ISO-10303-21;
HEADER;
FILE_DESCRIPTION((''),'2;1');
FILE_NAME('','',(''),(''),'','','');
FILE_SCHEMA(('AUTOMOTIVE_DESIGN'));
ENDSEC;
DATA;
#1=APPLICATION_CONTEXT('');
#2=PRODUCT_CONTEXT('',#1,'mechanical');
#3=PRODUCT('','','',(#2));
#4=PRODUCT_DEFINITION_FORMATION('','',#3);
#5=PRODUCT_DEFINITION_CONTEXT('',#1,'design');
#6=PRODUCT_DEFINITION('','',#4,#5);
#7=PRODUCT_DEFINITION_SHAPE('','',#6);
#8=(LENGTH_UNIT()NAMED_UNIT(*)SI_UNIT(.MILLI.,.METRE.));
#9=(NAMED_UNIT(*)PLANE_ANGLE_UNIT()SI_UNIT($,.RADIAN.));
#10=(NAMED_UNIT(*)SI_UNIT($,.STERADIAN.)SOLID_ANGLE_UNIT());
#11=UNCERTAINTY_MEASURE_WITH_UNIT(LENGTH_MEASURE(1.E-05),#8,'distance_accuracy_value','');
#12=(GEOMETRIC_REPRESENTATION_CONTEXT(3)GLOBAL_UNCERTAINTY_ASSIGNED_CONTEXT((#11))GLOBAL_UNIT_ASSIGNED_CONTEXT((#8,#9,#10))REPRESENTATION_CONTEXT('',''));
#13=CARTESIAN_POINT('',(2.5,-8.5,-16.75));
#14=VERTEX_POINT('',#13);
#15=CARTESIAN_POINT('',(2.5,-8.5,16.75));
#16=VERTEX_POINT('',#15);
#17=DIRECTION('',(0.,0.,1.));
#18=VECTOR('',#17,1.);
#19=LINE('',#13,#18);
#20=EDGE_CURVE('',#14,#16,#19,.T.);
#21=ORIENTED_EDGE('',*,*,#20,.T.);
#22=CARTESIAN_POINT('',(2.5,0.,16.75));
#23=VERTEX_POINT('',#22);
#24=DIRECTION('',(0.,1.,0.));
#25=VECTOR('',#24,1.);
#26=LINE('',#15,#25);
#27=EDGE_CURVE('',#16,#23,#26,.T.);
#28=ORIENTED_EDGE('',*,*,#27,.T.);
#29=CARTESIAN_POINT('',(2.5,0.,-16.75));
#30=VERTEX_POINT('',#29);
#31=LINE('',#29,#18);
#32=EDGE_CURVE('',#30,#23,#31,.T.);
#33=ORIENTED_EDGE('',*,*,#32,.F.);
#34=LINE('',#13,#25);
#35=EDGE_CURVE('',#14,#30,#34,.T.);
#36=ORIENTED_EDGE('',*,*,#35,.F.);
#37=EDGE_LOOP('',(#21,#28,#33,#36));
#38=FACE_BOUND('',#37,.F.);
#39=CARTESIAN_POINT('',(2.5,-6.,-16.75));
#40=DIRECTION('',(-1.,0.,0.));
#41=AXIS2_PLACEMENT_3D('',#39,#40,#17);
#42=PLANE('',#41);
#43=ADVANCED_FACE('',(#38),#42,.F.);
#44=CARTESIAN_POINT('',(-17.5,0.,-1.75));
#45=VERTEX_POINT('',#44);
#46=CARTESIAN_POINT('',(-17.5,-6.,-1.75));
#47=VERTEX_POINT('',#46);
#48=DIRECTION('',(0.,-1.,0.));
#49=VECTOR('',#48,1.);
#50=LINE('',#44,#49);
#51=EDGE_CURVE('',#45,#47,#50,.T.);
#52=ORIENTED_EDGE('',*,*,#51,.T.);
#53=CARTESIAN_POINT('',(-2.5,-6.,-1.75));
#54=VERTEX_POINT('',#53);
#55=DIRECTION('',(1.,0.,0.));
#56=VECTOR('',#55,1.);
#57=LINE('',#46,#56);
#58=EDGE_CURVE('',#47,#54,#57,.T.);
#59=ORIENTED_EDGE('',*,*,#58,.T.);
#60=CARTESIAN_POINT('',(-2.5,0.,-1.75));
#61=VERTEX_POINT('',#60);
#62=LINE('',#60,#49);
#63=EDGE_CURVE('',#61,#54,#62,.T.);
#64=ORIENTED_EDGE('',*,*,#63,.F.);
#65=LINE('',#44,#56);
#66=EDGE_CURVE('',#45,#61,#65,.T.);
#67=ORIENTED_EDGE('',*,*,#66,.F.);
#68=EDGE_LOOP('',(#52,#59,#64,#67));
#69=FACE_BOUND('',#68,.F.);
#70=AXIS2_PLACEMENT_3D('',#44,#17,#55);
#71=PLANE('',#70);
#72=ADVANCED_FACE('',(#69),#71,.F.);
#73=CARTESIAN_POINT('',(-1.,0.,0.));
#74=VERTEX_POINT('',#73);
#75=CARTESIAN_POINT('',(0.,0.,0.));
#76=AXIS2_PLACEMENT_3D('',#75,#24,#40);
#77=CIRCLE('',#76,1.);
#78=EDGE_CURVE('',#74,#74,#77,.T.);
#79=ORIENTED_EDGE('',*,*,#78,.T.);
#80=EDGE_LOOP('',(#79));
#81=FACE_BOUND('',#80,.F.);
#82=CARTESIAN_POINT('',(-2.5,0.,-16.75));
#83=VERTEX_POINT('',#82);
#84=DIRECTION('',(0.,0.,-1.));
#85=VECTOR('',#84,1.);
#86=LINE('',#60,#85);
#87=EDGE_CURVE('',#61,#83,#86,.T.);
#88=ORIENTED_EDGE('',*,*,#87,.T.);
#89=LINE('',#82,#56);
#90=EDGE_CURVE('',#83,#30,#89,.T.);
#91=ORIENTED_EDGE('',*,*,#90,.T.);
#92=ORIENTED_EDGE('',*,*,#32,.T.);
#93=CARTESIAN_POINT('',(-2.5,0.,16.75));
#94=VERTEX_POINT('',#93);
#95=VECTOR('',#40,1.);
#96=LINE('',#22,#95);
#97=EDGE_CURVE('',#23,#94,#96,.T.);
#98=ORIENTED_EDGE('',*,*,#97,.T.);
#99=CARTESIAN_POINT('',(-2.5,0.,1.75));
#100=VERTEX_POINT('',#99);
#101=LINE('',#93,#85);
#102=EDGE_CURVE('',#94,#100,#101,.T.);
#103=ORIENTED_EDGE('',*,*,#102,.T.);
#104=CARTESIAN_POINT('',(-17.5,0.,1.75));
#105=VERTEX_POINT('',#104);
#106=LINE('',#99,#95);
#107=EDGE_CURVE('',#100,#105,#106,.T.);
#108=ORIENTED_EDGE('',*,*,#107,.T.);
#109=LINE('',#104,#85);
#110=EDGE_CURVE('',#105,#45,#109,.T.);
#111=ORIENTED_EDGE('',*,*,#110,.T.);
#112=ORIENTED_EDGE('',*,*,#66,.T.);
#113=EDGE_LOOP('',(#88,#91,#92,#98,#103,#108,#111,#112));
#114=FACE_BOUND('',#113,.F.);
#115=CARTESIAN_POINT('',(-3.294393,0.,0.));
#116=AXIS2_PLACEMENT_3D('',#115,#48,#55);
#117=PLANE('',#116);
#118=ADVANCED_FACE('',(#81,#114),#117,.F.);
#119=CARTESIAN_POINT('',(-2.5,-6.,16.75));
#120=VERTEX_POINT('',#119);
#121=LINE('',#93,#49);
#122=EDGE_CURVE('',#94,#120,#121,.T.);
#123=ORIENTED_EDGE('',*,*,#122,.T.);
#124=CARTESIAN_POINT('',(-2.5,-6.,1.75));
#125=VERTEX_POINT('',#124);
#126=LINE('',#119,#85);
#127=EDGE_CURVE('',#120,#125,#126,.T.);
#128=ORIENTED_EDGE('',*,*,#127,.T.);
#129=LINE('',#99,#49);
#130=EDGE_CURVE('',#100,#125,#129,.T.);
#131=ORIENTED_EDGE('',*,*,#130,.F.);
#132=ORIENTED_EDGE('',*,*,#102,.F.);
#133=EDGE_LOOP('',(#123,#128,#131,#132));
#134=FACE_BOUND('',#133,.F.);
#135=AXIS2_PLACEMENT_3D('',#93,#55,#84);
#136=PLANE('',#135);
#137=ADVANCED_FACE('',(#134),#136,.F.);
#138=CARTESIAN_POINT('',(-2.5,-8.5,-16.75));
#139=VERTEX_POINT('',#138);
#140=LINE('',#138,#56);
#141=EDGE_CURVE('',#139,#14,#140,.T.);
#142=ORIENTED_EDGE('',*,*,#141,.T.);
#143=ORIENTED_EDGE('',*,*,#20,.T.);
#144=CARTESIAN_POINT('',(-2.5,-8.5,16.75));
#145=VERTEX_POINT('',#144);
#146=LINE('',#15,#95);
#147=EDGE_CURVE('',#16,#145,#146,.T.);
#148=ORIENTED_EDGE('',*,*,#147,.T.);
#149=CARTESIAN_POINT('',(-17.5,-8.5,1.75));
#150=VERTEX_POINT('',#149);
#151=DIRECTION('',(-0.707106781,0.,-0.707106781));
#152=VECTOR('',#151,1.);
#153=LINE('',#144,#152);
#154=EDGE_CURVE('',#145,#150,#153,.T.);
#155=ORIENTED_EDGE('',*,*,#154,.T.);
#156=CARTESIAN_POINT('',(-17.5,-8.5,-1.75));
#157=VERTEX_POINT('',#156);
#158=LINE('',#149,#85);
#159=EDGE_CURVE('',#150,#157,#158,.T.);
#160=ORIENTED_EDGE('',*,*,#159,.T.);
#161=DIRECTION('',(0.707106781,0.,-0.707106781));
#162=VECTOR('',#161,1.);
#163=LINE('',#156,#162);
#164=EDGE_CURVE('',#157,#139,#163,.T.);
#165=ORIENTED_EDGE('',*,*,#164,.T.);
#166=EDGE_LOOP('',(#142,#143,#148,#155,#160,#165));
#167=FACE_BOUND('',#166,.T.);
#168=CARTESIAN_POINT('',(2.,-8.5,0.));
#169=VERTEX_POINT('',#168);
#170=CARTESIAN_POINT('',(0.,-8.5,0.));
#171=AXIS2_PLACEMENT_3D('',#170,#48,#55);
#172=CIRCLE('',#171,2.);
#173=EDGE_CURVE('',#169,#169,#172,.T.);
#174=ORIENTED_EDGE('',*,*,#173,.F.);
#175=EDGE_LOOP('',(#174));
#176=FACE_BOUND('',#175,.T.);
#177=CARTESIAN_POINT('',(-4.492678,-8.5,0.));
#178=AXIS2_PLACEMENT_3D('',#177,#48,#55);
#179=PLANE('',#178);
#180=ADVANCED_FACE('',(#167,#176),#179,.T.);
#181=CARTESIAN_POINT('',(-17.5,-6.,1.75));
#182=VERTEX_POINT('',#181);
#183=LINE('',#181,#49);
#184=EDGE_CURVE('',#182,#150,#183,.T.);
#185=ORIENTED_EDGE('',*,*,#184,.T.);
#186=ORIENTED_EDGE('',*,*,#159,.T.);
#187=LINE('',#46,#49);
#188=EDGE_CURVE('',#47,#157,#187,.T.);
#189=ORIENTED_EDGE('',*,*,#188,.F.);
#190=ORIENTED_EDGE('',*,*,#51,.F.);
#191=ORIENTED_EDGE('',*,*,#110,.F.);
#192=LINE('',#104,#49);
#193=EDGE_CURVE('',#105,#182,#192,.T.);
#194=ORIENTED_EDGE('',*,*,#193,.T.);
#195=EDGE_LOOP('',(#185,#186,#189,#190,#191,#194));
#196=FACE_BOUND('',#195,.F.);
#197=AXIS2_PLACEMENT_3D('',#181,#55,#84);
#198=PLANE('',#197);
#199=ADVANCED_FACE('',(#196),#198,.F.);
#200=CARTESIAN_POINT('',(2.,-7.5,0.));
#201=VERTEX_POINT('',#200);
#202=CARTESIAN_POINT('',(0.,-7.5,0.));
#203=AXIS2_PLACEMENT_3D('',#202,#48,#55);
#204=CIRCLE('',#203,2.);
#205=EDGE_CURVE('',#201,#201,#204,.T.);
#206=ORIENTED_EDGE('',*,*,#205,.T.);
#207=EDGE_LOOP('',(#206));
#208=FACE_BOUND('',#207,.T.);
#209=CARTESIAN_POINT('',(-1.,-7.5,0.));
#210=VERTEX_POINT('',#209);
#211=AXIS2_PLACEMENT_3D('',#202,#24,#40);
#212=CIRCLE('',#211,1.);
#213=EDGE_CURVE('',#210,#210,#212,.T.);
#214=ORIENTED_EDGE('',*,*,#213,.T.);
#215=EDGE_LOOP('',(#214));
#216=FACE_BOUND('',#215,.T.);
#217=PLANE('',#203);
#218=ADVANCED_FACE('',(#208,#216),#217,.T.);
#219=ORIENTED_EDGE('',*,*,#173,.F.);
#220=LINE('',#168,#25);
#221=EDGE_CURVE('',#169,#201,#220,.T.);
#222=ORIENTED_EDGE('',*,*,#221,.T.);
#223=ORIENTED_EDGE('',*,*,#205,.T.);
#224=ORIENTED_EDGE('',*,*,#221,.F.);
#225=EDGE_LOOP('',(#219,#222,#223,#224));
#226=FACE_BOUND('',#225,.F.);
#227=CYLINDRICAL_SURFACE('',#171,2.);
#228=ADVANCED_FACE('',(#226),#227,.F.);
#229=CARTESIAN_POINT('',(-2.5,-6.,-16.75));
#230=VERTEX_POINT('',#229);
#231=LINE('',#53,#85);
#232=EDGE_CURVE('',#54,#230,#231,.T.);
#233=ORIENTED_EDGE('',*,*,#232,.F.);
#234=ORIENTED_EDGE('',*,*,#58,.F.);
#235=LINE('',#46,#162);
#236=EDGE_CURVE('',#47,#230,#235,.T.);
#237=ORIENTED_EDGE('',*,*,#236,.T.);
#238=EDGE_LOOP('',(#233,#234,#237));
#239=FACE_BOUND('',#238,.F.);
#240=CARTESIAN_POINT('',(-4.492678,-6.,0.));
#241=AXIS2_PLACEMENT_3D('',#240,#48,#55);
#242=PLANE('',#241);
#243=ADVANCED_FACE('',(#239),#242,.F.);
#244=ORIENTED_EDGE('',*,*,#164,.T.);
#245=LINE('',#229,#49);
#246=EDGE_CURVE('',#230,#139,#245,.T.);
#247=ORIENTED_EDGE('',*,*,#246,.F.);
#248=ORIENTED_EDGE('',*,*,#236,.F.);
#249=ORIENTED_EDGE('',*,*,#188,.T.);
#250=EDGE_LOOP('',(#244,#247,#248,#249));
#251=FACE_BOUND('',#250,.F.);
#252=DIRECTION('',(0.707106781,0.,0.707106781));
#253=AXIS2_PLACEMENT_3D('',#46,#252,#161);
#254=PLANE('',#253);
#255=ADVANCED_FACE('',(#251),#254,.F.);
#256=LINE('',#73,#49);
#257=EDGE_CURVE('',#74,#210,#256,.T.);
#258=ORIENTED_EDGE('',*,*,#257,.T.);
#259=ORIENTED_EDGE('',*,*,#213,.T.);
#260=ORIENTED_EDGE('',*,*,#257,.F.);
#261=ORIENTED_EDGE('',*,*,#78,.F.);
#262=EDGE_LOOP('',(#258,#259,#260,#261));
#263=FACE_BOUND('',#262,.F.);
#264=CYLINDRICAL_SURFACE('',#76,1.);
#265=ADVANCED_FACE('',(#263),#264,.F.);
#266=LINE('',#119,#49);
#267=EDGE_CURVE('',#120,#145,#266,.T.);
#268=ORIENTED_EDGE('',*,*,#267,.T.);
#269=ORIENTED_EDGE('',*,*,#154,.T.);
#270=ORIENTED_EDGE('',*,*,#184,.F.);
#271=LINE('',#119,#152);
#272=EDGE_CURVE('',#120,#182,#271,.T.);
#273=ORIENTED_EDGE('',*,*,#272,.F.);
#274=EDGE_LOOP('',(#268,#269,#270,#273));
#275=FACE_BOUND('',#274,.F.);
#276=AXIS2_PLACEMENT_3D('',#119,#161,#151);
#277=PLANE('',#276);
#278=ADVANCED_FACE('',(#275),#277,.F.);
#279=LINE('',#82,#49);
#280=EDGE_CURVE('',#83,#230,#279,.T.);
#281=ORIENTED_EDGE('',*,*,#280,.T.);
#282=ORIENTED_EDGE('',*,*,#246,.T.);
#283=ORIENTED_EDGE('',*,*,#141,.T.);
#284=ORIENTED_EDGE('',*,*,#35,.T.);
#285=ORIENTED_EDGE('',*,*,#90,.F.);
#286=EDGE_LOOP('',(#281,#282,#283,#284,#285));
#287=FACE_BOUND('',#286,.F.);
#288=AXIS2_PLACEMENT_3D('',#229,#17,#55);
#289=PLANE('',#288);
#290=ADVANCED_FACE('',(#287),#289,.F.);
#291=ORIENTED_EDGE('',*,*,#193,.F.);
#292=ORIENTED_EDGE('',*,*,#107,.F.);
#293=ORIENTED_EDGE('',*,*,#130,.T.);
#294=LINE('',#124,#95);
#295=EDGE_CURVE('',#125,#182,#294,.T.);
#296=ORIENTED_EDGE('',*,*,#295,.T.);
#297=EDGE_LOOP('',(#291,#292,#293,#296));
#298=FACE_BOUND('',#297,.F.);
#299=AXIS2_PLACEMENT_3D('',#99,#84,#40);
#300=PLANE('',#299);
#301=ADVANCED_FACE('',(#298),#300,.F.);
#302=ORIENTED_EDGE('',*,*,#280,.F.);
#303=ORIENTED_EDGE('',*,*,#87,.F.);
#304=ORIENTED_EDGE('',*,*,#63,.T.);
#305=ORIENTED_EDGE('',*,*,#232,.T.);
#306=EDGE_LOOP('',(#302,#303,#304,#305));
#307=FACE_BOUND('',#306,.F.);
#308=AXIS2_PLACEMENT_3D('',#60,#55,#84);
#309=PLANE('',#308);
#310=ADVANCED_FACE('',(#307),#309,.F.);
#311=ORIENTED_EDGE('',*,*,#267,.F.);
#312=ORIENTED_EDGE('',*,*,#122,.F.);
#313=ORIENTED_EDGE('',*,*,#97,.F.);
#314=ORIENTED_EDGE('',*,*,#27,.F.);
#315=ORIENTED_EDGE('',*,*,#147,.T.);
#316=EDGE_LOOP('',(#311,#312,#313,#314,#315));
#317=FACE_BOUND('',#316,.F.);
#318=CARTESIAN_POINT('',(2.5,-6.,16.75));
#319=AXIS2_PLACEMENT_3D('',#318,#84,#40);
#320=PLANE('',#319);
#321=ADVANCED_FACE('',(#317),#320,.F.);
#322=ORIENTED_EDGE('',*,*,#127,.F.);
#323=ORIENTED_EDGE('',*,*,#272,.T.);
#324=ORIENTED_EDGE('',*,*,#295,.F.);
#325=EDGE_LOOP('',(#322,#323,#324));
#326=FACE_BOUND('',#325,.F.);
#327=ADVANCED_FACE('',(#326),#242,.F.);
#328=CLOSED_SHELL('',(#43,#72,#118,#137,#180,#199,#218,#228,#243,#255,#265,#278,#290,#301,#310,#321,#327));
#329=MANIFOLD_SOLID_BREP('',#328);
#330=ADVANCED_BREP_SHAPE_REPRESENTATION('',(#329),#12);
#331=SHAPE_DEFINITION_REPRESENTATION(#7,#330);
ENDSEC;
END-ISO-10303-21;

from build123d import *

# Parameters (mm, degrees)
F1_DEPTH = 6
F3_DEPTH = 2.5
F4_R     = 1
F5_DEPTH = 8.501
F6_R     = 2
F7_DEPTH = 1


with BuildPart() as f1:
    # F0 (on Front) → F1 (new body)
    with BuildSketch(Plane.XZ):
        Polygon((2.5, 1), (2.5, 16.75), (-2.5, 16.75), (-2.5, 1.75), (-17.5, 1.75), (-17.5, -1.75), (-2.5, -1.75), (-2.5, -16.75), (2.5, -16.75), (2.5, -2.5), align=None)
    extrude(amount=F1_DEPTH)

    # F2 (on face) → F3 (join)
    with BuildSketch(Plane.XZ.offset(6)):
        Polygon((-2.5, 16.75), (-17.5, 1.75), (-17.5, 0), (-17.5, -1.75), (-2.5, -16.75), (0, -16.75), (2.5, -16.75), (2.5, 16.75), (0, 16.75), align=None)
    extrude(amount=F3_DEPTH)

    # F4 (on face) → F5 (cut, through all)
    with BuildSketch(Plane(origin=(0, 0, 0), x_dir=(-1, 0, 0), z_dir=(0, 1, 0))):
        Circle(F4_R)
    extrude(amount=-F5_DEPTH, mode=Mode.SUBTRACT)

    # F6 (on face) → F7 (cut)
    with BuildSketch(Plane.XZ.offset(8.5)):
        Circle(F6_R)
    extrude(amount=-F7_DEPTH, mode=Mode.SUBTRACT)


solid = f1.part
